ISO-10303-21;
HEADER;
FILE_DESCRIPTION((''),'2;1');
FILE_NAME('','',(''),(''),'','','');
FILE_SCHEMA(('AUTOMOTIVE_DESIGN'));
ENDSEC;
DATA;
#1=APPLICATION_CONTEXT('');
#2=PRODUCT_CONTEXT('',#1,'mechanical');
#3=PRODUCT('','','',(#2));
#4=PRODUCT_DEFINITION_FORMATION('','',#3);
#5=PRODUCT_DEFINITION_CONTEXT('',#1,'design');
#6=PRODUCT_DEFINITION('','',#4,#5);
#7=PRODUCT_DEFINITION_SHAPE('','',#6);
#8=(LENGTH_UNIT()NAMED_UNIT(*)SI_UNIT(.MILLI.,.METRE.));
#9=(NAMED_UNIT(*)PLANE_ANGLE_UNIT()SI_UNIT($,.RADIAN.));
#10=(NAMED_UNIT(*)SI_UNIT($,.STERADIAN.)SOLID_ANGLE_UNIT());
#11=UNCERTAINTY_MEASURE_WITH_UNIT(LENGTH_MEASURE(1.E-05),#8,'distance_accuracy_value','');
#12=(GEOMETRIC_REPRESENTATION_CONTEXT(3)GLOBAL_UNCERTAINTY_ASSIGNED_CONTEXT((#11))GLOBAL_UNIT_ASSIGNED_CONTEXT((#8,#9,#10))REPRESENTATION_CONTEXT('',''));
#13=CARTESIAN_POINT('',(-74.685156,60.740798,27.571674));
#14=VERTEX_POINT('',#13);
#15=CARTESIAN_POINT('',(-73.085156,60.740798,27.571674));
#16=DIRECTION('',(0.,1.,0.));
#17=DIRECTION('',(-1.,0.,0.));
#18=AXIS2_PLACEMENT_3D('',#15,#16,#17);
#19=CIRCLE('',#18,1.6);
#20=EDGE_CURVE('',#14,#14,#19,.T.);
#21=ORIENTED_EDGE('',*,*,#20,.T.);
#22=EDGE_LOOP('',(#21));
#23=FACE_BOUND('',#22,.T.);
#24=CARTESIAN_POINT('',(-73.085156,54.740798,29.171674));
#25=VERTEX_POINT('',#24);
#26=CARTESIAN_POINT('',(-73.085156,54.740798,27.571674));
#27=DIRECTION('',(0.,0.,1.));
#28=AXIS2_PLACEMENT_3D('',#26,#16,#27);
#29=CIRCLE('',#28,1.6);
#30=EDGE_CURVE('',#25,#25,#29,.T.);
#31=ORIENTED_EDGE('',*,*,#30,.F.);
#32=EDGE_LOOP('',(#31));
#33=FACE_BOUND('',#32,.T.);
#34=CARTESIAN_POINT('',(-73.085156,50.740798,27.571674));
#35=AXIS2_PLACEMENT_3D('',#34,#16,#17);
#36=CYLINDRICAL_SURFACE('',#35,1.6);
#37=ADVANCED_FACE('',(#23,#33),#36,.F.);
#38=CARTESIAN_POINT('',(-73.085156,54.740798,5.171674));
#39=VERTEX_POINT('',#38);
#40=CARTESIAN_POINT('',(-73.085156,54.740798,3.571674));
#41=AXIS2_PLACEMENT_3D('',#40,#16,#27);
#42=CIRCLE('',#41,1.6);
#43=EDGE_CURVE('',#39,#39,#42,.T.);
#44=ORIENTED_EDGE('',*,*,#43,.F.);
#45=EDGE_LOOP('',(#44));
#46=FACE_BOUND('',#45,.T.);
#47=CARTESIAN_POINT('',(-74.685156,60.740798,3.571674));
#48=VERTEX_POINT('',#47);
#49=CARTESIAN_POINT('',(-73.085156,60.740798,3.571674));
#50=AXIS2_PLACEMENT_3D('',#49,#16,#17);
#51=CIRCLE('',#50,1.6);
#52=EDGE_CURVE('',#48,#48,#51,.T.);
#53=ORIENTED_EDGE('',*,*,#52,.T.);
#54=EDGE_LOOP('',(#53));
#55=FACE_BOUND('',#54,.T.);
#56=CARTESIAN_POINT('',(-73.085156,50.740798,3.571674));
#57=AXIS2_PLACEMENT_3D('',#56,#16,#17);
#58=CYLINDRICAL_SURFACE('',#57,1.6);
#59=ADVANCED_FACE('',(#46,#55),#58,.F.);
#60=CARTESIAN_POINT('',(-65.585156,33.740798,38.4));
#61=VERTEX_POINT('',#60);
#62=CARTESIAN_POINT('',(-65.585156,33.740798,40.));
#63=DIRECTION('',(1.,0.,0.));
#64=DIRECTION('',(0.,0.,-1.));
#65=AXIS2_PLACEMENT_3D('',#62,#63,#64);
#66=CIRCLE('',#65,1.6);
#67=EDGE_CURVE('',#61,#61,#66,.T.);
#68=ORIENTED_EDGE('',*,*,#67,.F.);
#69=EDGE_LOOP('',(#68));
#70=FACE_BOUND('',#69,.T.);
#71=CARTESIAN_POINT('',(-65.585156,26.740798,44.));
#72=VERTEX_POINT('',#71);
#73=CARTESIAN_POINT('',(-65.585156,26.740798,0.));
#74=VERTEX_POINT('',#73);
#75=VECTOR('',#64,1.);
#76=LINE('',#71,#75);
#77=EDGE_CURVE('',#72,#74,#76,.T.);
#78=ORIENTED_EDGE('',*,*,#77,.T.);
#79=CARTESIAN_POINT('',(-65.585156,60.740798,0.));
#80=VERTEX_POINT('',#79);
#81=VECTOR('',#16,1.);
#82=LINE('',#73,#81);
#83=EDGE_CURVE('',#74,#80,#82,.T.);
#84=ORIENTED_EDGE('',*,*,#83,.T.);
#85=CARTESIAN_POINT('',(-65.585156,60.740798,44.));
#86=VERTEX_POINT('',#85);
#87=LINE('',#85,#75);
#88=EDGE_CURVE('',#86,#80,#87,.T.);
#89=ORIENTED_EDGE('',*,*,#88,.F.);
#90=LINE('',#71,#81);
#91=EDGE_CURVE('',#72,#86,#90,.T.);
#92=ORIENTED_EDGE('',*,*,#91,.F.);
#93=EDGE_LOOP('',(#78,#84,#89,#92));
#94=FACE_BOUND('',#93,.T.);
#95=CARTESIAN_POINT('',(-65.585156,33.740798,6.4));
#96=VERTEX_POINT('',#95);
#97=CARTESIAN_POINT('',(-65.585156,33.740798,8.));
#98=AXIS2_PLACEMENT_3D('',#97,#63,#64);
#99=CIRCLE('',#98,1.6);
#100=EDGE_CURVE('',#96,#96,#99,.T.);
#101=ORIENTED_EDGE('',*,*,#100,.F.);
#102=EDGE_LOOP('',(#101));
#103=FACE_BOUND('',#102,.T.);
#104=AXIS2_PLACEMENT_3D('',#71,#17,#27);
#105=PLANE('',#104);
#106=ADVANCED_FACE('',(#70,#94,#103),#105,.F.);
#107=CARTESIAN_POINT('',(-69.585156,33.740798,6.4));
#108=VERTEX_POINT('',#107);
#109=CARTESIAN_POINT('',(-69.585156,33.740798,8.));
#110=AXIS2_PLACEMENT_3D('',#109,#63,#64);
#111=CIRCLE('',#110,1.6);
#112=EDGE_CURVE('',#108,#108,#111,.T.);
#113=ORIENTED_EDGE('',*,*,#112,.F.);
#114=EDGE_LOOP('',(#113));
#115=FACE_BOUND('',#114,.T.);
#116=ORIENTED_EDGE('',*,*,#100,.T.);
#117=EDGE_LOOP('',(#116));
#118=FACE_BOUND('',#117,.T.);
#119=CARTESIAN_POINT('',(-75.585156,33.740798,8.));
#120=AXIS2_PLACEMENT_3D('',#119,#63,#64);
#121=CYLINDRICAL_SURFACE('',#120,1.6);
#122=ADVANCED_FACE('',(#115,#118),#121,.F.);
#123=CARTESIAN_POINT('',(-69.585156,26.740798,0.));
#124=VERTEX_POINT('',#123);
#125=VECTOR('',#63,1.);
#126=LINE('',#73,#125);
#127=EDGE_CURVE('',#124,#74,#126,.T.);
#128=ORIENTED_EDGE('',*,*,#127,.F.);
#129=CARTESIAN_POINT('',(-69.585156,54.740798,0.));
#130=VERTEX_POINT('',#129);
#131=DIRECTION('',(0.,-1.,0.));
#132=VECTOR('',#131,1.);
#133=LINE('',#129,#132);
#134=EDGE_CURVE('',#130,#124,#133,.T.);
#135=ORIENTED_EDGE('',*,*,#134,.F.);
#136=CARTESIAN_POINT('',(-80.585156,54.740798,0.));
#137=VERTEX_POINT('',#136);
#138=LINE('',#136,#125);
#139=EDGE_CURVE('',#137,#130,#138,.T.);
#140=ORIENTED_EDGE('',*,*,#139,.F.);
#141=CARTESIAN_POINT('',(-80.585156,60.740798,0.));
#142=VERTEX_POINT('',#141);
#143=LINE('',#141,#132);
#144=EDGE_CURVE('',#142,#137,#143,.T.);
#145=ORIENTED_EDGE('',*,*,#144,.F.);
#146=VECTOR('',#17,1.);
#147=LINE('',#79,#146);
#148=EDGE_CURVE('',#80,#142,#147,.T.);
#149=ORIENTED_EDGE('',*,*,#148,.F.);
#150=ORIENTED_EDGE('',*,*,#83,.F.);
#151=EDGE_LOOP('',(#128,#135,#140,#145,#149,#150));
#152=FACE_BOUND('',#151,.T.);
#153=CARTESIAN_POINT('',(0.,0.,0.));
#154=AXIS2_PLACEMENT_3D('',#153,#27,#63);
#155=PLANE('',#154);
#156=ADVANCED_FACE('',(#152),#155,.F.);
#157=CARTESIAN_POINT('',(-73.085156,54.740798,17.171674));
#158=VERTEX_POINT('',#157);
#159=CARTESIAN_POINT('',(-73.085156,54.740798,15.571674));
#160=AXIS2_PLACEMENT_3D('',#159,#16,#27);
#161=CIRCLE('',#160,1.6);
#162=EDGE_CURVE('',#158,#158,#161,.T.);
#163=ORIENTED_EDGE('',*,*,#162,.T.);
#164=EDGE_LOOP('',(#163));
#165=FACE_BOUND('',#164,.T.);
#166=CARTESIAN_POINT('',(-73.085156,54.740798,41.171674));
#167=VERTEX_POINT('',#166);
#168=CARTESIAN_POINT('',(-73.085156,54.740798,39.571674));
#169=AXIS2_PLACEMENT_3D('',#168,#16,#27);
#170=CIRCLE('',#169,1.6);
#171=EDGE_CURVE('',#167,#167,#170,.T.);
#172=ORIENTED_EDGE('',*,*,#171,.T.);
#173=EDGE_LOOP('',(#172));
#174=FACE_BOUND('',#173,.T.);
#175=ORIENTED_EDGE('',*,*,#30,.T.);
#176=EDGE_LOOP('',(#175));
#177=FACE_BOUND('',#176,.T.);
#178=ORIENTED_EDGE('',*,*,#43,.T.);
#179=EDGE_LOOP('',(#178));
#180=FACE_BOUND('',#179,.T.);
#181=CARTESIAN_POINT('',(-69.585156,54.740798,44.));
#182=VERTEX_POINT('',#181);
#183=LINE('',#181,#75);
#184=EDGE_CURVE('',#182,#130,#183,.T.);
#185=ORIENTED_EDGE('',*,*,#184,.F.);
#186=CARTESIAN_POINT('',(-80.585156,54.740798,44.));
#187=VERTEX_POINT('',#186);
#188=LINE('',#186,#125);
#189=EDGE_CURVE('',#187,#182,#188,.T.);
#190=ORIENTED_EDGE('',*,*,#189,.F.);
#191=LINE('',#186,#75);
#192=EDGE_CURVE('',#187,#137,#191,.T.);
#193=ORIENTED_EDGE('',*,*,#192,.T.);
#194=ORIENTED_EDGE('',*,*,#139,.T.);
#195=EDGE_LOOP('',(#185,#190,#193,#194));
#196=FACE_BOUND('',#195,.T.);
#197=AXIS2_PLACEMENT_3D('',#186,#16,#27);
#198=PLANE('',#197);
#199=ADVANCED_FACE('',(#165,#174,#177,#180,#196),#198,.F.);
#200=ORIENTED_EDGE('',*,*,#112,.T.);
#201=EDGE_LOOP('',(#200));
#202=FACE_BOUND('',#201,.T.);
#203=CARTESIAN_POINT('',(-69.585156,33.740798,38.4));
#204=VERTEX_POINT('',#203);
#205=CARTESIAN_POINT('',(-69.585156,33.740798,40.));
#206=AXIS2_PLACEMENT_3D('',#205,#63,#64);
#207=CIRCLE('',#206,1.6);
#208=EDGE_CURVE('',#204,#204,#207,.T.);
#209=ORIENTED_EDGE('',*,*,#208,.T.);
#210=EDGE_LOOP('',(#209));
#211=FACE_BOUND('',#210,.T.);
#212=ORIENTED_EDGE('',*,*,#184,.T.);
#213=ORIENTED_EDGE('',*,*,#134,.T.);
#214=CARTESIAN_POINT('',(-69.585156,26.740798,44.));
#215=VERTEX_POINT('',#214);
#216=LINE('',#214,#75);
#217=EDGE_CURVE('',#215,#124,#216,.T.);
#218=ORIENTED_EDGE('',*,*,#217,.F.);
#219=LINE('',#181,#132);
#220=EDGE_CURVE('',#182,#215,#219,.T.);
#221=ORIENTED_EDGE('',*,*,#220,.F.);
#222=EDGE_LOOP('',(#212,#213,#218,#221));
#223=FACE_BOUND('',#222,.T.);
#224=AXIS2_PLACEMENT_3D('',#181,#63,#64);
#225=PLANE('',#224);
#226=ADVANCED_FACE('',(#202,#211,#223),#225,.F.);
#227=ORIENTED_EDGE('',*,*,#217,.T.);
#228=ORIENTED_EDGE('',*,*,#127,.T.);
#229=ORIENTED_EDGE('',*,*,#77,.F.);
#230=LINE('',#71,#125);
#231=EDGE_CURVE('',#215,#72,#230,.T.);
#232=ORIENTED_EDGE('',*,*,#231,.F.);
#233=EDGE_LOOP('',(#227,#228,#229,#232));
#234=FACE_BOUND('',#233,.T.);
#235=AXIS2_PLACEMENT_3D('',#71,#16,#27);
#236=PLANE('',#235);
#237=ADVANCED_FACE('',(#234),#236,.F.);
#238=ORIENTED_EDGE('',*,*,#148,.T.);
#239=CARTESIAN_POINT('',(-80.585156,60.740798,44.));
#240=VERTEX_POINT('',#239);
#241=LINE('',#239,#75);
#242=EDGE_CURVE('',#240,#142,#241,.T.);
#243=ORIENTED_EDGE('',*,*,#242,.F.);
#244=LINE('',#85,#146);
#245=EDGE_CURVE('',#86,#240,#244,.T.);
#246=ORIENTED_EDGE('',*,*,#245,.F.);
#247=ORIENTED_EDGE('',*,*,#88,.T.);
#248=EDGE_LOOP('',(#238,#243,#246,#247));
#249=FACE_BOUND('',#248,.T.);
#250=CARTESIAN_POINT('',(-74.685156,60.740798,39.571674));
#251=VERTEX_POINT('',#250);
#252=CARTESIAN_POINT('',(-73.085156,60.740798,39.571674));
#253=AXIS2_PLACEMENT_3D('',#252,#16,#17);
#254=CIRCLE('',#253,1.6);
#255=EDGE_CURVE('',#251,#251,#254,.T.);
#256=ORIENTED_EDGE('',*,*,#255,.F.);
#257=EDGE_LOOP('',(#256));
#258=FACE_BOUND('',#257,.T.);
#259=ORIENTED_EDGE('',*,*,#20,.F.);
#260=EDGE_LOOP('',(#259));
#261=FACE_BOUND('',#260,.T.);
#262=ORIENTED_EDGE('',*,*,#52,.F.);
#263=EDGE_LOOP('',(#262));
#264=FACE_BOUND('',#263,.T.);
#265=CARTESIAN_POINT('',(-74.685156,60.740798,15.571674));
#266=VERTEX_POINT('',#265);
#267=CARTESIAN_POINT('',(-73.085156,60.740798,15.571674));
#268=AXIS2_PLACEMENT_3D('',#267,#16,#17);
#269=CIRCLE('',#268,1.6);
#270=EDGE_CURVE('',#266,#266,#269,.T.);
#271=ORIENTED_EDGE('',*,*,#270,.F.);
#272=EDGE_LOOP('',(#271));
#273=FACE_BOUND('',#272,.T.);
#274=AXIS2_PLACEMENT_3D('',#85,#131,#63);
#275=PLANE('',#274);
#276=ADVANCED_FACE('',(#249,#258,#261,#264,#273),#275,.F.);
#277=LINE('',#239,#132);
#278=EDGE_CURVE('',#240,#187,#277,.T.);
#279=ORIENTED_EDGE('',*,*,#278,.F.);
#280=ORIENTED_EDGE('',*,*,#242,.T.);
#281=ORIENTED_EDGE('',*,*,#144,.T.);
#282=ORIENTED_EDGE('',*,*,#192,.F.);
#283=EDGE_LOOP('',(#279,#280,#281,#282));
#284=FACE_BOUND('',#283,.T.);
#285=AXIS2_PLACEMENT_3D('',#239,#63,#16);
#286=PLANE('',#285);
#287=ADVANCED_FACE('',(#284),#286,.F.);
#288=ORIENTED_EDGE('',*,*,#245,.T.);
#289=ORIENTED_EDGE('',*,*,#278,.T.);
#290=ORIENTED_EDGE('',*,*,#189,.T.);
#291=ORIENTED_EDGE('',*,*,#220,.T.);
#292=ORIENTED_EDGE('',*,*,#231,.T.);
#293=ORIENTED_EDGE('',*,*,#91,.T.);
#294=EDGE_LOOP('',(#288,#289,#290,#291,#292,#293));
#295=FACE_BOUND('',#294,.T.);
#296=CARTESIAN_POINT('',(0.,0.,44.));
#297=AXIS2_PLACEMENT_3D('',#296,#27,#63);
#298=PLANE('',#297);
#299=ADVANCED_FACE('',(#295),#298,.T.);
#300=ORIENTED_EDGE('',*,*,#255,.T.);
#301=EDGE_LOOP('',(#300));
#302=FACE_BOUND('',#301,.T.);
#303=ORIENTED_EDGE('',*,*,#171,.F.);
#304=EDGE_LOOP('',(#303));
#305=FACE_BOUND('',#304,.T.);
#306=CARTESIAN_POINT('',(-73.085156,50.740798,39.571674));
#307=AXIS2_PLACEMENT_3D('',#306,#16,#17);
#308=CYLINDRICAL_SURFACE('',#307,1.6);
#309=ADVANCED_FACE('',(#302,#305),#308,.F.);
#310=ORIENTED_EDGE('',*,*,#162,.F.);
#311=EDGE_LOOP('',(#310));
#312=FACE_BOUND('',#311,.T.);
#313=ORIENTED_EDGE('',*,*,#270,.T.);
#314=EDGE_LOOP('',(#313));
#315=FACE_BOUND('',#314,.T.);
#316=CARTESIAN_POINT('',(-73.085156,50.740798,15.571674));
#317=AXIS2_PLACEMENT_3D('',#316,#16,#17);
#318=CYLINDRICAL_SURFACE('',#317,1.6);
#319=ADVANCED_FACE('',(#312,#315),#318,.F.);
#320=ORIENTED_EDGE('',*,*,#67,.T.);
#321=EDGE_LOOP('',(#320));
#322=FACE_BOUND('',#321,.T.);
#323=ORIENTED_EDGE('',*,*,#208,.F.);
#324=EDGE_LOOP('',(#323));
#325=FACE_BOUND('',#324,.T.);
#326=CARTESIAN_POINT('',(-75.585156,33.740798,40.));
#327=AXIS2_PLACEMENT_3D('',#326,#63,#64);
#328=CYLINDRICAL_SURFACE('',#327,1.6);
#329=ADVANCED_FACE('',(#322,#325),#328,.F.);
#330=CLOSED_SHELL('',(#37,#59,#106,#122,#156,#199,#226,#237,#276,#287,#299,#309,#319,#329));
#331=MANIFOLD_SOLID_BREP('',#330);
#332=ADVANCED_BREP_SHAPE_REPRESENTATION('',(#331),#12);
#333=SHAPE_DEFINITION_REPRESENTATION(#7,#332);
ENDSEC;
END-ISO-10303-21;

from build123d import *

# Parameters (mm, degrees)
BOSS_EXTRUDE1_DEPTH = 44
SKETCH3_R           = 1.6
CUT_EXTRUDE2_DEPTH  = 10
SKETCH2_R           = 1.6
CUT_EXTRUDE3_DEPTH  = 10


with BuildPart() as part:
    # Sketch1 → Boss-Extrude1 (new body)
    with BuildSketch(Plane.XY):
        Polygon((-80.585156419, 60.740798274), (-80.585156419, 54.740798274), (-69.585156419, 54.740798274), (-69.585156419, 26.740798274), (-65.585156419, 26.740798274), (-65.585156419, 60.740798274), align=None)
    extrude(amount=BOSS_EXTRUDE1_DEPTH)

    # Sketch3 → Cut-Extrude2 (cut)
    with BuildSketch(Plane(origin=(-65.585156419, 0, 0), x_dir=(0, 0, -1), z_dir=(1, 0, 0))):
        with Locations((-40, 33.740798274)):
            Circle(SKETCH3_R)
        with Locations((-8, 33.740798274)):
            Circle(SKETCH3_R)
    extrude(amount=-CUT_EXTRUDE2_DEPTH, mode=Mode.SUBTRACT)

    # Sketch2 → Cut-Extrude3 (cut)
    with BuildSketch(Plane(origin=(0, 60.740798274, 0), x_dir=(1, 0, 0), z_dir=(0, 1, 0))):
        with Locations(Location((-73.085156419, -3.571673595, 0), (0, 0, 180))):
            Circle(SKETCH2_R)
        with Locations(Location((-73.085156419, -15.571673595, 0), (0, 0, 180))):
            Circle(SKETCH2_R)
        with Locations(Location((-73.085156419, -27.571673595, 0), (0, 0, 180))):
            Circle(SKETCH2_R)
        with Locations(Location((-73.085156419, -39.571673595, 0), (0, 0, 180))):
            Circle(SKETCH2_R)
    extrude(amount=-CUT_EXTRUDE3_DEPTH, mode=Mode.SUBTRACT)


solid = part.part
